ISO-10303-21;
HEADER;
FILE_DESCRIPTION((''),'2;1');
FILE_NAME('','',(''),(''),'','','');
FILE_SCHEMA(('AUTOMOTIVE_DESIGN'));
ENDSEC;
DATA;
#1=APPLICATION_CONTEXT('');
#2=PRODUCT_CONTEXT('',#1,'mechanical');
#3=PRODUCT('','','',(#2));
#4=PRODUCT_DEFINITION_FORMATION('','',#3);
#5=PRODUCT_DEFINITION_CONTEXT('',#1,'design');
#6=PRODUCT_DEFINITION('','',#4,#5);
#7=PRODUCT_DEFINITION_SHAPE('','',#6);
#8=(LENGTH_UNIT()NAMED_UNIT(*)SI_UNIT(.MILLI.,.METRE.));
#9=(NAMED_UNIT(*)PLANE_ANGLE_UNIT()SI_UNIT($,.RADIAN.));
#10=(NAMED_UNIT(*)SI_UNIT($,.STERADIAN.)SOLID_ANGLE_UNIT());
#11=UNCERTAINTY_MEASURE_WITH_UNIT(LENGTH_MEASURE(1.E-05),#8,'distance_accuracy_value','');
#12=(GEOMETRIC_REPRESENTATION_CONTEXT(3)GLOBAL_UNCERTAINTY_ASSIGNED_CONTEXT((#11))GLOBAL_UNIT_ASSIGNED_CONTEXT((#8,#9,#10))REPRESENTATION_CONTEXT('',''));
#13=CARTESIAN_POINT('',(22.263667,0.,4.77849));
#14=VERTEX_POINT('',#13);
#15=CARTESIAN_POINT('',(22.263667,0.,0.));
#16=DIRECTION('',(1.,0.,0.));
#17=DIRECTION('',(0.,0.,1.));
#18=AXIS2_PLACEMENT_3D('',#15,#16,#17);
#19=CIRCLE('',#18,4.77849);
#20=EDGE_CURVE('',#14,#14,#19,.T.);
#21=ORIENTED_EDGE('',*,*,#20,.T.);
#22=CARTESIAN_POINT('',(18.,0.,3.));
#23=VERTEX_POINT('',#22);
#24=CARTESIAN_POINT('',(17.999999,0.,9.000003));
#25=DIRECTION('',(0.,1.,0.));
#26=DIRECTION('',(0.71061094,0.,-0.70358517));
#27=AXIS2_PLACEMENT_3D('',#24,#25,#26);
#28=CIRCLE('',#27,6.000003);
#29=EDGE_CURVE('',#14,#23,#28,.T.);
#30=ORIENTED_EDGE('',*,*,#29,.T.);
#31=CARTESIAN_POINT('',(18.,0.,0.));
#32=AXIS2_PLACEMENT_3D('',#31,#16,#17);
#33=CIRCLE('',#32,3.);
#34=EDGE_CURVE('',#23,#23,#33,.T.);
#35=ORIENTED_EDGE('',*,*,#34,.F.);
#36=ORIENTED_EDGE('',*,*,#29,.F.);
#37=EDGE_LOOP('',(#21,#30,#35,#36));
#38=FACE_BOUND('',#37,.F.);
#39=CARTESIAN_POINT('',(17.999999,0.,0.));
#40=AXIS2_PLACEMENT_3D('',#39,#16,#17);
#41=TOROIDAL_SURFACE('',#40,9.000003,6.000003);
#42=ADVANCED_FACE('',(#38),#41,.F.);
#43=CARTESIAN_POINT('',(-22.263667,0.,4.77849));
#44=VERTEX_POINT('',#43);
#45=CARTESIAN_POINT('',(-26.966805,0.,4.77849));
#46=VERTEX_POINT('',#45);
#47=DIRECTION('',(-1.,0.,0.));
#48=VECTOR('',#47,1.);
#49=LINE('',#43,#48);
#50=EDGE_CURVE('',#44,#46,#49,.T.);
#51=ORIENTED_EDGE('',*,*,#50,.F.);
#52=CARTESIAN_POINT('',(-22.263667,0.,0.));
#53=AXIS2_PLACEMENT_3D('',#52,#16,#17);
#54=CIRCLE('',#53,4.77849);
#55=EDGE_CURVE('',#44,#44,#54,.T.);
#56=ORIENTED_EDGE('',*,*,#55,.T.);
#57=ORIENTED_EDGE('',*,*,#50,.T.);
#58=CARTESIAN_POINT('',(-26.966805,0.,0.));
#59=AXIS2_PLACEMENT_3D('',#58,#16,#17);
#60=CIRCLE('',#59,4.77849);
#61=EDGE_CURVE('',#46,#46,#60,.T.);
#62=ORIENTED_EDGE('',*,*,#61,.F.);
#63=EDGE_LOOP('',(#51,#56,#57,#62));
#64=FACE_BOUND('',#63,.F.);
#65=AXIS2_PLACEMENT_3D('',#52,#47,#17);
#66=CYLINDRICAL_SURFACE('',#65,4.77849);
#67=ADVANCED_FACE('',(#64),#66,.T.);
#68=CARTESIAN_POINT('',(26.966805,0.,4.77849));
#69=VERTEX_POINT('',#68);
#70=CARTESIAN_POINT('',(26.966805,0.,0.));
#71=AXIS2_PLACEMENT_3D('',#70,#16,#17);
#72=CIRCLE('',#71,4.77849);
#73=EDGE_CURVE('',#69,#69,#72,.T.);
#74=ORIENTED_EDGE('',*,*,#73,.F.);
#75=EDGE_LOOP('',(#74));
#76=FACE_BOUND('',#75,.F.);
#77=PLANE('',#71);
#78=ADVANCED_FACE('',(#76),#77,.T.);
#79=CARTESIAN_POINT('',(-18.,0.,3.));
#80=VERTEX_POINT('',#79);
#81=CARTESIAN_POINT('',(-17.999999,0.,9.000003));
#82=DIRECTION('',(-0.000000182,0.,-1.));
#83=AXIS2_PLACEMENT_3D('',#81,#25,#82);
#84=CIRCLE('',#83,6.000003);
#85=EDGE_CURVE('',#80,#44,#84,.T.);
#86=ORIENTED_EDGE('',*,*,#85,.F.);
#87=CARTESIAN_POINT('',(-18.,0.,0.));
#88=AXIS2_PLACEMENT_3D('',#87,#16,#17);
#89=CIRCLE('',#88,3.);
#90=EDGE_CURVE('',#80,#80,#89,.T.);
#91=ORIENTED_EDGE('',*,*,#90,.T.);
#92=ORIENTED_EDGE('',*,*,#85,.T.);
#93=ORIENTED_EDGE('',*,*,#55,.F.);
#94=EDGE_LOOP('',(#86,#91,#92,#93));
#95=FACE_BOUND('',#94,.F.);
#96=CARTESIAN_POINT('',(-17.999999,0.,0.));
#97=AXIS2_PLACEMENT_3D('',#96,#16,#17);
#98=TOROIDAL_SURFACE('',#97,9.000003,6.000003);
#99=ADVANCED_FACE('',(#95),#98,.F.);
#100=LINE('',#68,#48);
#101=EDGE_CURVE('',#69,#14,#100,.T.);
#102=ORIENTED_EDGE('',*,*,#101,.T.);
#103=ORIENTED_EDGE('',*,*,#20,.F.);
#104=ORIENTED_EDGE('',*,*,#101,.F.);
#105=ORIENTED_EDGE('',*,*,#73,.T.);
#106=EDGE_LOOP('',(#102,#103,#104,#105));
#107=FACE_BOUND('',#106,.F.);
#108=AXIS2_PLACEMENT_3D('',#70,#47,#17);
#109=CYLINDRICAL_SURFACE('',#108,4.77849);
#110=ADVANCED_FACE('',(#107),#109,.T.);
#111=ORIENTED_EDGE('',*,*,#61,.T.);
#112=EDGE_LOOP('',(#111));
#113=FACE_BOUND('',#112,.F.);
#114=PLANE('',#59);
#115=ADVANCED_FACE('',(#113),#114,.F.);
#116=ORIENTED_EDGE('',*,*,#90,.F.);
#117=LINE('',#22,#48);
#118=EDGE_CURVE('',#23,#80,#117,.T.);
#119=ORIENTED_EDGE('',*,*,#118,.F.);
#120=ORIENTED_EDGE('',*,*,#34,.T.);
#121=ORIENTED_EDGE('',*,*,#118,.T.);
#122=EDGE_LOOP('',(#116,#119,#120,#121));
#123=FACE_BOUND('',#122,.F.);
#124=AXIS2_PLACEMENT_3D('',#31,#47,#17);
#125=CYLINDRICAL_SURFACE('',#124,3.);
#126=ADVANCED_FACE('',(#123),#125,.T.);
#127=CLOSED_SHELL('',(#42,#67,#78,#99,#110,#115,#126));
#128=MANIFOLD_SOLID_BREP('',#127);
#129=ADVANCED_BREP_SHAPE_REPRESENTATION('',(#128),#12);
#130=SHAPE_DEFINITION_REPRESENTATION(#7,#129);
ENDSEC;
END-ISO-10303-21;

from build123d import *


with BuildPart() as f1:
    # F0 (on Front) → F1 (revolve)
    with BuildSketch(Plane.XZ):
        with BuildLine():
            Line((-26.966805, 0), (0, 0))
            Line((0, 0), (0, 3))
            Line((0, 3), (-18, 3))
            ThreePointArc((-18, 3), (-20.309864, 3.462444), (-22.263667, 4.77849))
            Line((-22.263667, 4.77849), (-26.966805, 4.77849))
            Line((-26.966805, 4.77849), (-26.966805, 0))
        make_face()
        with BuildLine():
            Line((0, 3), (0, 0))
            Line((0, 0), (26.966805, 0))
            Line((26.966805, 0), (26.966805, 4.77849))
            Line((26.966805, 4.77849), (22.263667, 4.77849))
            ThreePointArc((22.263667, 4.77849), (20.309864, 3.462444), (18, 3))
            Line((18, 3), (0, 3))
        make_face()
    revolve(axis=Axis((0, 0, 0), (1, 0, 0)))


solid = f1.part
